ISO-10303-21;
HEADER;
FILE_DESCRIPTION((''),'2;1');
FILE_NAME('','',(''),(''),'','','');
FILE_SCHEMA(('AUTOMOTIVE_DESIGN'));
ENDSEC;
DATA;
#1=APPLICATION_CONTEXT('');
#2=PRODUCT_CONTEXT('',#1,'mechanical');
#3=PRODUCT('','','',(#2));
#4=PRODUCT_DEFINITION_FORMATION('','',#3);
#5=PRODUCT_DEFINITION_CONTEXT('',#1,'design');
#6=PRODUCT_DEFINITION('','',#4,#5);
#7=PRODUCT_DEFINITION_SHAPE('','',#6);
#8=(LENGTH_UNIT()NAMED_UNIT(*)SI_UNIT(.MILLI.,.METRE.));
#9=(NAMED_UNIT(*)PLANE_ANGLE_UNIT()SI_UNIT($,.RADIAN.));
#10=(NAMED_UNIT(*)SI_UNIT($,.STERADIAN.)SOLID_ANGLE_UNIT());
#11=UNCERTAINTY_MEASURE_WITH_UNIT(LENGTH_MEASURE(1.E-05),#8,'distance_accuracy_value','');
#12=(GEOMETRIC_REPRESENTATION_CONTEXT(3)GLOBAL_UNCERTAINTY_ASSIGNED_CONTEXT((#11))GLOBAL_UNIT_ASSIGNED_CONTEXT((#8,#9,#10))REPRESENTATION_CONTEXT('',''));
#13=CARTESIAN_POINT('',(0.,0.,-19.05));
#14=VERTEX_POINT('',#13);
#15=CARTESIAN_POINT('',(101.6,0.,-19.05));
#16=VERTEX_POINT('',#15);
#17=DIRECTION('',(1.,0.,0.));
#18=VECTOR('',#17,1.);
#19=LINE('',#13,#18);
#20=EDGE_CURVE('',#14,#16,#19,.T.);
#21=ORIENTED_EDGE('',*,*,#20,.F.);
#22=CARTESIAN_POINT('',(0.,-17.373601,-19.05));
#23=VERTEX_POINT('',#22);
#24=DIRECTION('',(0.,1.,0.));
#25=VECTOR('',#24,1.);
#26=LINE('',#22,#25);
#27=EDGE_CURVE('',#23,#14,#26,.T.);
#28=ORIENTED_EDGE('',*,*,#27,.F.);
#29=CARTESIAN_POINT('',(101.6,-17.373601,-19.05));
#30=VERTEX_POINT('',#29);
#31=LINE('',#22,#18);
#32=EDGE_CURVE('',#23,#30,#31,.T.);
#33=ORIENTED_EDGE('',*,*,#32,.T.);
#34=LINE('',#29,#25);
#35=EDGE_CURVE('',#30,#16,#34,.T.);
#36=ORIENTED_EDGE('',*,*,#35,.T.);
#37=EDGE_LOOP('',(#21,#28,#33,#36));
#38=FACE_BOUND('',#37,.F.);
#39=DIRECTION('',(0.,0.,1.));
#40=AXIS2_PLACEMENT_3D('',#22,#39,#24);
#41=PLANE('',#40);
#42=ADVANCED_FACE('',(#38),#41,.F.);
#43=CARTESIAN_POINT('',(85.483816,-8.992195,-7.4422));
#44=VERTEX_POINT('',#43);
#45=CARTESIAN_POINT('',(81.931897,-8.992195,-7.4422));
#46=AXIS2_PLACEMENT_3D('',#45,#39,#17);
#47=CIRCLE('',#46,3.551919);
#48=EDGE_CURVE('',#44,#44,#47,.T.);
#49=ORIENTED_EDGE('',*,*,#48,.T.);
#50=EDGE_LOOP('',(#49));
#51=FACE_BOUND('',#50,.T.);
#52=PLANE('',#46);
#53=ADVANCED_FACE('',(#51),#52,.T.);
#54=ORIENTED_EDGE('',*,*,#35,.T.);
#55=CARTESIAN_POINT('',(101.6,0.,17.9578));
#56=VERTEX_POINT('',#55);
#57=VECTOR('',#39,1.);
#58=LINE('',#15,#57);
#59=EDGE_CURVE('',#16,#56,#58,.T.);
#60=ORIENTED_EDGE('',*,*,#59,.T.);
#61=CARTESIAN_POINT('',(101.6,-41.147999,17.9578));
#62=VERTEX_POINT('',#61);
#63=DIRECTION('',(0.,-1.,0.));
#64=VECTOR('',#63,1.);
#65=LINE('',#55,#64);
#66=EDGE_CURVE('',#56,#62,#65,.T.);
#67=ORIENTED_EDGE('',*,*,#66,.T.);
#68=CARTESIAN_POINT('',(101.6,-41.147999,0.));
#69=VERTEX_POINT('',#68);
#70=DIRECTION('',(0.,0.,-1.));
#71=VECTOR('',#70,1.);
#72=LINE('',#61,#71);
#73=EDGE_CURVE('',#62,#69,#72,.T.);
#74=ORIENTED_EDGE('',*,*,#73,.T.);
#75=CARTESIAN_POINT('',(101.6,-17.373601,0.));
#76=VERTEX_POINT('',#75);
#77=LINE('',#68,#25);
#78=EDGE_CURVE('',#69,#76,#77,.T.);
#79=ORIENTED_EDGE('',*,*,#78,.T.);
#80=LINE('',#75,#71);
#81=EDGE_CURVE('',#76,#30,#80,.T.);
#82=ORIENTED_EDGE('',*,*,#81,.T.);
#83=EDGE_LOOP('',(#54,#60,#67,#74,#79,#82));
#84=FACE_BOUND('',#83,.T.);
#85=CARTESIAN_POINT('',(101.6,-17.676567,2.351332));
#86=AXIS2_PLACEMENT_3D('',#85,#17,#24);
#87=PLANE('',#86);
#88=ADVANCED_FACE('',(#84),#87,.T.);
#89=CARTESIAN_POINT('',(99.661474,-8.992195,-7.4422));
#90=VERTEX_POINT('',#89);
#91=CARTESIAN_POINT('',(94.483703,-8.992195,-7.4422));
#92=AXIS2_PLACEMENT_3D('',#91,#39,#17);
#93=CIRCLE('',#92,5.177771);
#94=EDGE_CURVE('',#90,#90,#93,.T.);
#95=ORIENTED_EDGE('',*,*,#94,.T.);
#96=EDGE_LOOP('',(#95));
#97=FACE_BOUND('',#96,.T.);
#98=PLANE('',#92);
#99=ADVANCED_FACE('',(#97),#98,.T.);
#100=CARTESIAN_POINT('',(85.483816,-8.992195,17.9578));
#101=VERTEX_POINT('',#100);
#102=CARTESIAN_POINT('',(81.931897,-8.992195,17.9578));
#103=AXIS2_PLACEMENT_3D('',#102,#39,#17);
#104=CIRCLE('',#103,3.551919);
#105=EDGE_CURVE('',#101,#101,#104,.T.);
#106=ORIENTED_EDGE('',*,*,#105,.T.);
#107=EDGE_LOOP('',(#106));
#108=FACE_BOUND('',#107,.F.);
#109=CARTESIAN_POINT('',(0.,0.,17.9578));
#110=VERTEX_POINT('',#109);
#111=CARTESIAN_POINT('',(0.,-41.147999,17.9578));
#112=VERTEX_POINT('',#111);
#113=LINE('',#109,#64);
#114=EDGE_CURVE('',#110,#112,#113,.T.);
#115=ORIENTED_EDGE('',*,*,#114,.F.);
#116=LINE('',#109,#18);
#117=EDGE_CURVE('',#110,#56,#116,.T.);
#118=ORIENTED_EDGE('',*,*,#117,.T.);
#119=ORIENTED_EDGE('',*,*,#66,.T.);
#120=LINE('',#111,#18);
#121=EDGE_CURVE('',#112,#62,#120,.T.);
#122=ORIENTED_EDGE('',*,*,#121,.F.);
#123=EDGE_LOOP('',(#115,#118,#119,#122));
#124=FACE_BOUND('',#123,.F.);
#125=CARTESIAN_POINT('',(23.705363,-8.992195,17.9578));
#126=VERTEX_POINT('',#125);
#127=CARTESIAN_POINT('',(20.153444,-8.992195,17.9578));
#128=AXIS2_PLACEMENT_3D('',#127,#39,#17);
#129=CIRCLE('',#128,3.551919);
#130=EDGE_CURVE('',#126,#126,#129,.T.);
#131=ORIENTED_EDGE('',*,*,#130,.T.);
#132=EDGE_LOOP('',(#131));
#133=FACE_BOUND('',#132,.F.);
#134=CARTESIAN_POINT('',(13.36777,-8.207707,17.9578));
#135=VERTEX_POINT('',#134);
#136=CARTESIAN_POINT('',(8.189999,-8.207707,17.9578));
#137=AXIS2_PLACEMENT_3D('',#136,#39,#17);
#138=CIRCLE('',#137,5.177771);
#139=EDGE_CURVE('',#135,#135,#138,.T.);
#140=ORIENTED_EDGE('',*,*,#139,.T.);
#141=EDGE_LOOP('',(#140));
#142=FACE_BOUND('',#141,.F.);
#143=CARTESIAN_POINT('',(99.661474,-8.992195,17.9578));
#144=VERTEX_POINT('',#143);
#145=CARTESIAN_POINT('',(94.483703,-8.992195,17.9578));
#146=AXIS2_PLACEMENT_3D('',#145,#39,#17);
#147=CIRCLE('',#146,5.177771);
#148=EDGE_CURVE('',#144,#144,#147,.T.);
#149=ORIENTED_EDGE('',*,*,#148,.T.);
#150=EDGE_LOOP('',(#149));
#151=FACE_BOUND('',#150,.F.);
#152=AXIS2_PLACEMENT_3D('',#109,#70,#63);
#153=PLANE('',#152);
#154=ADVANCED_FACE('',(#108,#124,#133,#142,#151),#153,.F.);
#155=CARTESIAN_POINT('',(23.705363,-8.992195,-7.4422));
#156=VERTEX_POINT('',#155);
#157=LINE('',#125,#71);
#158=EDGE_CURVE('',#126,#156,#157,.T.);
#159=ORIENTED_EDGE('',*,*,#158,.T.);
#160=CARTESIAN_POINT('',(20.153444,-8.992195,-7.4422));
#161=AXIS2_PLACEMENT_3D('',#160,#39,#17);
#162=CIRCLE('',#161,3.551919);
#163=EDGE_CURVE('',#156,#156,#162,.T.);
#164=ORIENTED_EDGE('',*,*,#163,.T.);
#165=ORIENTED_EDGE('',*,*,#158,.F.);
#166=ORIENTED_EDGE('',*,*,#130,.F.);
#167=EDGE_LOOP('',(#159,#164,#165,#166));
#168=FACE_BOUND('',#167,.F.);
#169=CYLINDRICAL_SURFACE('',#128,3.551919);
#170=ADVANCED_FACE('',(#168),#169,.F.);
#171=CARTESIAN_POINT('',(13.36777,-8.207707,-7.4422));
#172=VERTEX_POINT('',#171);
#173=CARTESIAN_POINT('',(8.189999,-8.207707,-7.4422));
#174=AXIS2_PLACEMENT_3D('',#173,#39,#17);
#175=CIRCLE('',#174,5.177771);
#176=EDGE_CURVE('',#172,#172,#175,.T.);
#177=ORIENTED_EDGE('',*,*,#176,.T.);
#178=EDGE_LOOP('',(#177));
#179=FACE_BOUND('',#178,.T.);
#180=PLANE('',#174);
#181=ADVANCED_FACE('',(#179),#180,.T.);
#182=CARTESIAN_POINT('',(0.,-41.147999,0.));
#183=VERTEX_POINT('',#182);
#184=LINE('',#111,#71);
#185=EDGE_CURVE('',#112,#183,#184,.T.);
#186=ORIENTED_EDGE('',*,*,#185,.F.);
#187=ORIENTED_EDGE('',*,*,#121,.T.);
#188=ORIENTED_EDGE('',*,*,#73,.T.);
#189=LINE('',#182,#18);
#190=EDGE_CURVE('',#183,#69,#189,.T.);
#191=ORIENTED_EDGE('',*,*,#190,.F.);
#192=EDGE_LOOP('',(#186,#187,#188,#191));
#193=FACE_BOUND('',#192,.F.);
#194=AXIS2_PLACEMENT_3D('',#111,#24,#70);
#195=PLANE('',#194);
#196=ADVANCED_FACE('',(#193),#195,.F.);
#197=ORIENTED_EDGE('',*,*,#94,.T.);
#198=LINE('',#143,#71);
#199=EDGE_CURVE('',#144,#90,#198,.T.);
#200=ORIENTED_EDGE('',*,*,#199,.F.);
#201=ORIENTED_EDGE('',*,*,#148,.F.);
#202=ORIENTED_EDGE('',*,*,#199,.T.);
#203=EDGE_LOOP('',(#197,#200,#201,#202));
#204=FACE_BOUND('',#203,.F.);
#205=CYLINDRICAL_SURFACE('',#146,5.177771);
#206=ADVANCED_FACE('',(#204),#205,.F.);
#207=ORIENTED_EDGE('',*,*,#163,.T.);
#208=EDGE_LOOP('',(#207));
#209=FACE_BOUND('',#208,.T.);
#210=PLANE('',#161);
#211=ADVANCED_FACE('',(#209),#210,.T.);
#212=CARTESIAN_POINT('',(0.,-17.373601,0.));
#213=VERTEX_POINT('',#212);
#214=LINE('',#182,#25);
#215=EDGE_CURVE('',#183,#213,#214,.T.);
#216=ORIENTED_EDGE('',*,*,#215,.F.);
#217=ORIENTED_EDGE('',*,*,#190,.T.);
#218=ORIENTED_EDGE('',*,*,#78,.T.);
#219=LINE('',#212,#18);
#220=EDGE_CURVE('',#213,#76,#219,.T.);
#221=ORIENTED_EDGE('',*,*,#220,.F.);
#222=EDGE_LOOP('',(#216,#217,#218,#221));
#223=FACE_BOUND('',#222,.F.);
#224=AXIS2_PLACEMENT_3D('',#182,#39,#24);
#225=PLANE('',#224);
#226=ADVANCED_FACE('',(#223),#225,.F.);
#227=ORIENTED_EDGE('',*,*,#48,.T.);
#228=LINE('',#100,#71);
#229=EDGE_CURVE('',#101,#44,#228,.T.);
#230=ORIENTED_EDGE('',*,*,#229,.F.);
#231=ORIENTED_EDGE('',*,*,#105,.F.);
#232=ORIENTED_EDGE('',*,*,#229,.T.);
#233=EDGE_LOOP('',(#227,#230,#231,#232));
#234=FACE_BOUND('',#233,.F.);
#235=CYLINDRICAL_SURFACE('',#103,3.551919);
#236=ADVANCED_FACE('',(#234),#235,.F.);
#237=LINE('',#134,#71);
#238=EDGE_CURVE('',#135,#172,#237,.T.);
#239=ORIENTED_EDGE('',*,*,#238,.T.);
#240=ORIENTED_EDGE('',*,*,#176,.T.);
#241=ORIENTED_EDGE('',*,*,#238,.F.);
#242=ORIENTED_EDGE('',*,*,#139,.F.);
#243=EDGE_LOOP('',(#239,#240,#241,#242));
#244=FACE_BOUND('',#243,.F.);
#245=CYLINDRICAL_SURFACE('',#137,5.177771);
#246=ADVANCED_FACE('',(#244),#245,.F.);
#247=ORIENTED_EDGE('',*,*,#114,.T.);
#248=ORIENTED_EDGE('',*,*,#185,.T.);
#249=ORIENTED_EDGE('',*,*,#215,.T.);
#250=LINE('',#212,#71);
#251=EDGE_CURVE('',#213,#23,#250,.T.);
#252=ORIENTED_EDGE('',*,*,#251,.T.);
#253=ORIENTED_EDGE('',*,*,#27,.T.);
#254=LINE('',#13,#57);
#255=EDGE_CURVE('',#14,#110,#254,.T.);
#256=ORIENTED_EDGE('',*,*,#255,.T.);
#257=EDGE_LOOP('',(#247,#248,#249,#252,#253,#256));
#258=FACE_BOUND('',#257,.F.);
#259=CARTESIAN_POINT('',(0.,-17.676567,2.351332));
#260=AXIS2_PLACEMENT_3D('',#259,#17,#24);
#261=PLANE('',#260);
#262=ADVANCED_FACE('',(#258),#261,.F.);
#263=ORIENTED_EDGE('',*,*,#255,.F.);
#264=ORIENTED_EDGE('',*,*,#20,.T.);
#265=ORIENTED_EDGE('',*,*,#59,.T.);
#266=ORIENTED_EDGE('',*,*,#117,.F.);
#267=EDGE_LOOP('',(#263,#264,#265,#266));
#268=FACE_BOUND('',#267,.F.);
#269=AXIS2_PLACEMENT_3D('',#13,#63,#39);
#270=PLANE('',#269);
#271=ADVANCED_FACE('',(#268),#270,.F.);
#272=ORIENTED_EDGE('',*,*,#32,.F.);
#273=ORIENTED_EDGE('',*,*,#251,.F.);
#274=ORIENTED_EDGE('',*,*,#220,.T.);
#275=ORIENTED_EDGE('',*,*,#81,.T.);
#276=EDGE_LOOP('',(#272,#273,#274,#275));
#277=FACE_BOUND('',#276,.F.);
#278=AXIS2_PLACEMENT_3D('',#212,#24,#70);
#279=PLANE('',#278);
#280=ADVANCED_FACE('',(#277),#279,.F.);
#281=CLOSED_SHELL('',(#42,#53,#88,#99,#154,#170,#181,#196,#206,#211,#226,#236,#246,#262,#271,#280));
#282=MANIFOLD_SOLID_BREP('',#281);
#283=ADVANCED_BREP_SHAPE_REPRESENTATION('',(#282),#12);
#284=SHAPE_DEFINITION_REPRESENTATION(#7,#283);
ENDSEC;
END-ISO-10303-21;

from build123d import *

# Parameters (mm, degrees)
F1_DEPTH = 101.6
F2_R     = 5.177771
F2_R_2   = 3.551919
F3_DEPTH = 25.4


with BuildPart() as f1:
    # F0 (on Right) → F1 (new body)
    with BuildSketch(Plane.YZ):
        Polygon((0, -6.5532), (0, 0), (0, 14.7828), (0, 17.9578), (-28.447999, 17.9578), (-41.147999, 17.9578), (-41.147999, 8.4328), (-41.147999, 0), (-17.373601, 0), (-17.373601, -19.05), (0, -19.05), align=None)
    extrude(amount=F1_DEPTH)

    # F2 (on face) → F3 (cut)
    with BuildSketch(Plane.XY.offset(17.9578)):
        with Locations((8.189999, -8.207707)):
            Circle(F2_R)
        with Locations((20.153444, -8.992195)):
            Circle(F2_R_2)
        with Locations((94.483703, -8.992195)):
            Circle(F2_R)
        with Locations((81.931897, -8.992195)):
            Circle(F2_R_2)
    extrude(amount=-F3_DEPTH, mode=Mode.SUBTRACT)


solid = f1.part
